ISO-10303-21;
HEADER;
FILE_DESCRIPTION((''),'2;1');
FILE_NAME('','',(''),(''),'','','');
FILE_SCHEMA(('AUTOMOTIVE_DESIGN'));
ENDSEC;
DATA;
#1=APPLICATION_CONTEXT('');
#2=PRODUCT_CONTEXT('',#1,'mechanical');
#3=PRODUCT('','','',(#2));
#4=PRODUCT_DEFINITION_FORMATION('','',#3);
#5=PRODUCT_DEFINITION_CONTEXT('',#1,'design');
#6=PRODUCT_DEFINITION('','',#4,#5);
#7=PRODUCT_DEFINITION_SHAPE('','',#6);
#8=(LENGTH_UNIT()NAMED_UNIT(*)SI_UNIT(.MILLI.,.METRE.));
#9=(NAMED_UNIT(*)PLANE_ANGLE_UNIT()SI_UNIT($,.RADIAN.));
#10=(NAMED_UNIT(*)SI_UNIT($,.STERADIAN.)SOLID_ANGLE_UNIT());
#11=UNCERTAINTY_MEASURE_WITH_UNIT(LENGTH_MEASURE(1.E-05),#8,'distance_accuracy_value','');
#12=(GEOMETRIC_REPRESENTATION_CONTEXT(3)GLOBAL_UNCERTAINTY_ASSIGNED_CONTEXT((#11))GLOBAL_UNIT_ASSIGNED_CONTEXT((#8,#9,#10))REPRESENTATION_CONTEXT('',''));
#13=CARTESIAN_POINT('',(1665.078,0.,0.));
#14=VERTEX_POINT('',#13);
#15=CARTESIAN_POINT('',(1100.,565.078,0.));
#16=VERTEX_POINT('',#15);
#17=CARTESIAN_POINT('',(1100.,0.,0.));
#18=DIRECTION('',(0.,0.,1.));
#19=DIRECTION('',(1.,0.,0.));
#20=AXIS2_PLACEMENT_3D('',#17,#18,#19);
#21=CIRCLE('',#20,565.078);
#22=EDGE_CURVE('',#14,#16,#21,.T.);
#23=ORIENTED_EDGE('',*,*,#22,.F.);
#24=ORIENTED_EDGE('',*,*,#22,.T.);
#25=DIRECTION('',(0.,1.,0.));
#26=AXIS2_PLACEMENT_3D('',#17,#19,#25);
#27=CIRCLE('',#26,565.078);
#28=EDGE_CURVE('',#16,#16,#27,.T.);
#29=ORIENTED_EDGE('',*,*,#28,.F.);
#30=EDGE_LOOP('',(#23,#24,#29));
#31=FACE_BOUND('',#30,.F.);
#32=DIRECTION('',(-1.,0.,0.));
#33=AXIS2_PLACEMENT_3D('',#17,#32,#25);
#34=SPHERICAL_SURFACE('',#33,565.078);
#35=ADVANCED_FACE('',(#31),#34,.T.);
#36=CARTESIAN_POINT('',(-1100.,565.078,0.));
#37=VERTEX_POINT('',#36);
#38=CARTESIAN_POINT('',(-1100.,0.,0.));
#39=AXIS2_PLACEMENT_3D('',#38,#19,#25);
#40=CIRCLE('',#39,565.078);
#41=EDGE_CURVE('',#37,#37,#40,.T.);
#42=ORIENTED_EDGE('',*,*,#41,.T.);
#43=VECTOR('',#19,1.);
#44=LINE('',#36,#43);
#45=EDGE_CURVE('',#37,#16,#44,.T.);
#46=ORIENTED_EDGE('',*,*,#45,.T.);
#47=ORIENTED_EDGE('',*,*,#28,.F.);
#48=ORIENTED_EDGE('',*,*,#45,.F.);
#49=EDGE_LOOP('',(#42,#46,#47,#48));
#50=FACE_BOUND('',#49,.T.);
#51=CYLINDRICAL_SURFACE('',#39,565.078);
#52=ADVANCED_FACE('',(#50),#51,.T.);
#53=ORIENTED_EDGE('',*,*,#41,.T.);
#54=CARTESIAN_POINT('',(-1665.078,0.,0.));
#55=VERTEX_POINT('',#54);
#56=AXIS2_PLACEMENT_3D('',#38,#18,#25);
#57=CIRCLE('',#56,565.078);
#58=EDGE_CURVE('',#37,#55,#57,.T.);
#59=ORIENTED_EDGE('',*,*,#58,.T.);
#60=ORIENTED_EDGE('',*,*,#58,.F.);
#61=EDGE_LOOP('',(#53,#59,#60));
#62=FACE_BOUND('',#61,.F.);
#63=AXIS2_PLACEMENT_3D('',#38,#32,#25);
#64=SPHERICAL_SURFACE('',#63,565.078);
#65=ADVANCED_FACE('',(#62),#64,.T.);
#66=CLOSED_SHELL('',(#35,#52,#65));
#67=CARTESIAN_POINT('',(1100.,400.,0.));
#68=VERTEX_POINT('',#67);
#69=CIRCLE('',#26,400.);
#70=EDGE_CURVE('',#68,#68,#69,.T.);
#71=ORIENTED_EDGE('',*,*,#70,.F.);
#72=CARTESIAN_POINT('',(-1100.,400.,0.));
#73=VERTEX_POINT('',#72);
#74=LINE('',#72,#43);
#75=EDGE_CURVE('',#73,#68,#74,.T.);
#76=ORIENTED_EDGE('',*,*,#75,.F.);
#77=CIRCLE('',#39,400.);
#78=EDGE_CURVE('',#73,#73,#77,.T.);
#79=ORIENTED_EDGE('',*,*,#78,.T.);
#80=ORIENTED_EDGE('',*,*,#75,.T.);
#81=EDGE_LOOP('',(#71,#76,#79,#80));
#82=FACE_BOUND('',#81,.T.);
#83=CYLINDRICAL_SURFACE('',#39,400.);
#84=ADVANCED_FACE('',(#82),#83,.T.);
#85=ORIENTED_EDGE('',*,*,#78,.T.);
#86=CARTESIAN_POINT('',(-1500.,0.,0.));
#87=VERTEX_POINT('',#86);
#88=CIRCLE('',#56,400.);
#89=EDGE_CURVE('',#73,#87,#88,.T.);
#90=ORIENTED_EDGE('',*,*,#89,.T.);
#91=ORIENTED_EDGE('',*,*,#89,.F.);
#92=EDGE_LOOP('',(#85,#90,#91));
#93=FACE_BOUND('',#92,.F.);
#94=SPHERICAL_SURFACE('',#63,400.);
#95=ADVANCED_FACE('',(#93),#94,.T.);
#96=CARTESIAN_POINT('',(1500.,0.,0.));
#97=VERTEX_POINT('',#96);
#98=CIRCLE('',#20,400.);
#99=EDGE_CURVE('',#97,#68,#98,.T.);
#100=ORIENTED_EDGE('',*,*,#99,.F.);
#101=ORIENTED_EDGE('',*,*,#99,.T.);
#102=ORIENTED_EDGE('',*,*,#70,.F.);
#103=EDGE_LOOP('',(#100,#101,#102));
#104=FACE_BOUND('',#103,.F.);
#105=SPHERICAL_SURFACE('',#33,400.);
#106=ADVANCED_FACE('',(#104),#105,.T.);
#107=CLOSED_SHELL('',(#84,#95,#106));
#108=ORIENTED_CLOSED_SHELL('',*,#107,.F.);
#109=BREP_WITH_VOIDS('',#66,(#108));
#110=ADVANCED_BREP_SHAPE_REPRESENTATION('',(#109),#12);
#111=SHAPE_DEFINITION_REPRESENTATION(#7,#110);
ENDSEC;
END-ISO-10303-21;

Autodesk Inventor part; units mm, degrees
ref_plane "YZ Plane" through (0, 0, 0) normal (1, 0, 0) x (0, 1, 0)
ref_plane "XZ Plane" through (0, 0, 0) normal (0, 1, 0) x (-1, 0, 0)
ref_plane "XY Plane" through (0, 0, 0) normal (0, 0, 1) x (1, 0, 0)
sketch "Sketch1" plane through (0, 0, 0) normal (0, 0, 1) x (1, 0, 0)
  line L0 (-1500, 0) -> (1500, 0)
  arc A0 (-1100, 400) -> (-1500, 0) centre (-1100, 0) ccw
  arc A1 (1500, 0) -> (1100, 400) centre (1100, 0) ccw
  line L1 (-1100, 400) -> (1100, 400)
  arc A2 (-1100, 565.078) -> (-1665.078, 0) centre (-1100, 0) ccw
  arc A3 (1665.078, 0) -> (1100, 565.078) centre (1100, 0) ccw
  line L2 (-1665.078, 0) -> (-1500, 0)
  line L3 (-1100, 565.078) -> (1100, 565.078)
  line L4 (1500, 0) -> (1665.078, 0)
  point P0 (0, 0)
  dimension "d0" = 3000
  dimension "d1" = 800
  dimension "d2" = 800
  dimension "d3" = 1100
  dimension "d4" = 1100
  dimension "d5" = 1130.156
  dimension "d6" = 1130.156
revolve "Revolution2" add sketch "Sketch1" angle 360 about axis through (-1500, 0, 0) along (1, 0, 0) contours L2 A2 L3 A3 L4 A1 L1 A0
properties part number "Cylinder" material "Fiberglass Batt"
